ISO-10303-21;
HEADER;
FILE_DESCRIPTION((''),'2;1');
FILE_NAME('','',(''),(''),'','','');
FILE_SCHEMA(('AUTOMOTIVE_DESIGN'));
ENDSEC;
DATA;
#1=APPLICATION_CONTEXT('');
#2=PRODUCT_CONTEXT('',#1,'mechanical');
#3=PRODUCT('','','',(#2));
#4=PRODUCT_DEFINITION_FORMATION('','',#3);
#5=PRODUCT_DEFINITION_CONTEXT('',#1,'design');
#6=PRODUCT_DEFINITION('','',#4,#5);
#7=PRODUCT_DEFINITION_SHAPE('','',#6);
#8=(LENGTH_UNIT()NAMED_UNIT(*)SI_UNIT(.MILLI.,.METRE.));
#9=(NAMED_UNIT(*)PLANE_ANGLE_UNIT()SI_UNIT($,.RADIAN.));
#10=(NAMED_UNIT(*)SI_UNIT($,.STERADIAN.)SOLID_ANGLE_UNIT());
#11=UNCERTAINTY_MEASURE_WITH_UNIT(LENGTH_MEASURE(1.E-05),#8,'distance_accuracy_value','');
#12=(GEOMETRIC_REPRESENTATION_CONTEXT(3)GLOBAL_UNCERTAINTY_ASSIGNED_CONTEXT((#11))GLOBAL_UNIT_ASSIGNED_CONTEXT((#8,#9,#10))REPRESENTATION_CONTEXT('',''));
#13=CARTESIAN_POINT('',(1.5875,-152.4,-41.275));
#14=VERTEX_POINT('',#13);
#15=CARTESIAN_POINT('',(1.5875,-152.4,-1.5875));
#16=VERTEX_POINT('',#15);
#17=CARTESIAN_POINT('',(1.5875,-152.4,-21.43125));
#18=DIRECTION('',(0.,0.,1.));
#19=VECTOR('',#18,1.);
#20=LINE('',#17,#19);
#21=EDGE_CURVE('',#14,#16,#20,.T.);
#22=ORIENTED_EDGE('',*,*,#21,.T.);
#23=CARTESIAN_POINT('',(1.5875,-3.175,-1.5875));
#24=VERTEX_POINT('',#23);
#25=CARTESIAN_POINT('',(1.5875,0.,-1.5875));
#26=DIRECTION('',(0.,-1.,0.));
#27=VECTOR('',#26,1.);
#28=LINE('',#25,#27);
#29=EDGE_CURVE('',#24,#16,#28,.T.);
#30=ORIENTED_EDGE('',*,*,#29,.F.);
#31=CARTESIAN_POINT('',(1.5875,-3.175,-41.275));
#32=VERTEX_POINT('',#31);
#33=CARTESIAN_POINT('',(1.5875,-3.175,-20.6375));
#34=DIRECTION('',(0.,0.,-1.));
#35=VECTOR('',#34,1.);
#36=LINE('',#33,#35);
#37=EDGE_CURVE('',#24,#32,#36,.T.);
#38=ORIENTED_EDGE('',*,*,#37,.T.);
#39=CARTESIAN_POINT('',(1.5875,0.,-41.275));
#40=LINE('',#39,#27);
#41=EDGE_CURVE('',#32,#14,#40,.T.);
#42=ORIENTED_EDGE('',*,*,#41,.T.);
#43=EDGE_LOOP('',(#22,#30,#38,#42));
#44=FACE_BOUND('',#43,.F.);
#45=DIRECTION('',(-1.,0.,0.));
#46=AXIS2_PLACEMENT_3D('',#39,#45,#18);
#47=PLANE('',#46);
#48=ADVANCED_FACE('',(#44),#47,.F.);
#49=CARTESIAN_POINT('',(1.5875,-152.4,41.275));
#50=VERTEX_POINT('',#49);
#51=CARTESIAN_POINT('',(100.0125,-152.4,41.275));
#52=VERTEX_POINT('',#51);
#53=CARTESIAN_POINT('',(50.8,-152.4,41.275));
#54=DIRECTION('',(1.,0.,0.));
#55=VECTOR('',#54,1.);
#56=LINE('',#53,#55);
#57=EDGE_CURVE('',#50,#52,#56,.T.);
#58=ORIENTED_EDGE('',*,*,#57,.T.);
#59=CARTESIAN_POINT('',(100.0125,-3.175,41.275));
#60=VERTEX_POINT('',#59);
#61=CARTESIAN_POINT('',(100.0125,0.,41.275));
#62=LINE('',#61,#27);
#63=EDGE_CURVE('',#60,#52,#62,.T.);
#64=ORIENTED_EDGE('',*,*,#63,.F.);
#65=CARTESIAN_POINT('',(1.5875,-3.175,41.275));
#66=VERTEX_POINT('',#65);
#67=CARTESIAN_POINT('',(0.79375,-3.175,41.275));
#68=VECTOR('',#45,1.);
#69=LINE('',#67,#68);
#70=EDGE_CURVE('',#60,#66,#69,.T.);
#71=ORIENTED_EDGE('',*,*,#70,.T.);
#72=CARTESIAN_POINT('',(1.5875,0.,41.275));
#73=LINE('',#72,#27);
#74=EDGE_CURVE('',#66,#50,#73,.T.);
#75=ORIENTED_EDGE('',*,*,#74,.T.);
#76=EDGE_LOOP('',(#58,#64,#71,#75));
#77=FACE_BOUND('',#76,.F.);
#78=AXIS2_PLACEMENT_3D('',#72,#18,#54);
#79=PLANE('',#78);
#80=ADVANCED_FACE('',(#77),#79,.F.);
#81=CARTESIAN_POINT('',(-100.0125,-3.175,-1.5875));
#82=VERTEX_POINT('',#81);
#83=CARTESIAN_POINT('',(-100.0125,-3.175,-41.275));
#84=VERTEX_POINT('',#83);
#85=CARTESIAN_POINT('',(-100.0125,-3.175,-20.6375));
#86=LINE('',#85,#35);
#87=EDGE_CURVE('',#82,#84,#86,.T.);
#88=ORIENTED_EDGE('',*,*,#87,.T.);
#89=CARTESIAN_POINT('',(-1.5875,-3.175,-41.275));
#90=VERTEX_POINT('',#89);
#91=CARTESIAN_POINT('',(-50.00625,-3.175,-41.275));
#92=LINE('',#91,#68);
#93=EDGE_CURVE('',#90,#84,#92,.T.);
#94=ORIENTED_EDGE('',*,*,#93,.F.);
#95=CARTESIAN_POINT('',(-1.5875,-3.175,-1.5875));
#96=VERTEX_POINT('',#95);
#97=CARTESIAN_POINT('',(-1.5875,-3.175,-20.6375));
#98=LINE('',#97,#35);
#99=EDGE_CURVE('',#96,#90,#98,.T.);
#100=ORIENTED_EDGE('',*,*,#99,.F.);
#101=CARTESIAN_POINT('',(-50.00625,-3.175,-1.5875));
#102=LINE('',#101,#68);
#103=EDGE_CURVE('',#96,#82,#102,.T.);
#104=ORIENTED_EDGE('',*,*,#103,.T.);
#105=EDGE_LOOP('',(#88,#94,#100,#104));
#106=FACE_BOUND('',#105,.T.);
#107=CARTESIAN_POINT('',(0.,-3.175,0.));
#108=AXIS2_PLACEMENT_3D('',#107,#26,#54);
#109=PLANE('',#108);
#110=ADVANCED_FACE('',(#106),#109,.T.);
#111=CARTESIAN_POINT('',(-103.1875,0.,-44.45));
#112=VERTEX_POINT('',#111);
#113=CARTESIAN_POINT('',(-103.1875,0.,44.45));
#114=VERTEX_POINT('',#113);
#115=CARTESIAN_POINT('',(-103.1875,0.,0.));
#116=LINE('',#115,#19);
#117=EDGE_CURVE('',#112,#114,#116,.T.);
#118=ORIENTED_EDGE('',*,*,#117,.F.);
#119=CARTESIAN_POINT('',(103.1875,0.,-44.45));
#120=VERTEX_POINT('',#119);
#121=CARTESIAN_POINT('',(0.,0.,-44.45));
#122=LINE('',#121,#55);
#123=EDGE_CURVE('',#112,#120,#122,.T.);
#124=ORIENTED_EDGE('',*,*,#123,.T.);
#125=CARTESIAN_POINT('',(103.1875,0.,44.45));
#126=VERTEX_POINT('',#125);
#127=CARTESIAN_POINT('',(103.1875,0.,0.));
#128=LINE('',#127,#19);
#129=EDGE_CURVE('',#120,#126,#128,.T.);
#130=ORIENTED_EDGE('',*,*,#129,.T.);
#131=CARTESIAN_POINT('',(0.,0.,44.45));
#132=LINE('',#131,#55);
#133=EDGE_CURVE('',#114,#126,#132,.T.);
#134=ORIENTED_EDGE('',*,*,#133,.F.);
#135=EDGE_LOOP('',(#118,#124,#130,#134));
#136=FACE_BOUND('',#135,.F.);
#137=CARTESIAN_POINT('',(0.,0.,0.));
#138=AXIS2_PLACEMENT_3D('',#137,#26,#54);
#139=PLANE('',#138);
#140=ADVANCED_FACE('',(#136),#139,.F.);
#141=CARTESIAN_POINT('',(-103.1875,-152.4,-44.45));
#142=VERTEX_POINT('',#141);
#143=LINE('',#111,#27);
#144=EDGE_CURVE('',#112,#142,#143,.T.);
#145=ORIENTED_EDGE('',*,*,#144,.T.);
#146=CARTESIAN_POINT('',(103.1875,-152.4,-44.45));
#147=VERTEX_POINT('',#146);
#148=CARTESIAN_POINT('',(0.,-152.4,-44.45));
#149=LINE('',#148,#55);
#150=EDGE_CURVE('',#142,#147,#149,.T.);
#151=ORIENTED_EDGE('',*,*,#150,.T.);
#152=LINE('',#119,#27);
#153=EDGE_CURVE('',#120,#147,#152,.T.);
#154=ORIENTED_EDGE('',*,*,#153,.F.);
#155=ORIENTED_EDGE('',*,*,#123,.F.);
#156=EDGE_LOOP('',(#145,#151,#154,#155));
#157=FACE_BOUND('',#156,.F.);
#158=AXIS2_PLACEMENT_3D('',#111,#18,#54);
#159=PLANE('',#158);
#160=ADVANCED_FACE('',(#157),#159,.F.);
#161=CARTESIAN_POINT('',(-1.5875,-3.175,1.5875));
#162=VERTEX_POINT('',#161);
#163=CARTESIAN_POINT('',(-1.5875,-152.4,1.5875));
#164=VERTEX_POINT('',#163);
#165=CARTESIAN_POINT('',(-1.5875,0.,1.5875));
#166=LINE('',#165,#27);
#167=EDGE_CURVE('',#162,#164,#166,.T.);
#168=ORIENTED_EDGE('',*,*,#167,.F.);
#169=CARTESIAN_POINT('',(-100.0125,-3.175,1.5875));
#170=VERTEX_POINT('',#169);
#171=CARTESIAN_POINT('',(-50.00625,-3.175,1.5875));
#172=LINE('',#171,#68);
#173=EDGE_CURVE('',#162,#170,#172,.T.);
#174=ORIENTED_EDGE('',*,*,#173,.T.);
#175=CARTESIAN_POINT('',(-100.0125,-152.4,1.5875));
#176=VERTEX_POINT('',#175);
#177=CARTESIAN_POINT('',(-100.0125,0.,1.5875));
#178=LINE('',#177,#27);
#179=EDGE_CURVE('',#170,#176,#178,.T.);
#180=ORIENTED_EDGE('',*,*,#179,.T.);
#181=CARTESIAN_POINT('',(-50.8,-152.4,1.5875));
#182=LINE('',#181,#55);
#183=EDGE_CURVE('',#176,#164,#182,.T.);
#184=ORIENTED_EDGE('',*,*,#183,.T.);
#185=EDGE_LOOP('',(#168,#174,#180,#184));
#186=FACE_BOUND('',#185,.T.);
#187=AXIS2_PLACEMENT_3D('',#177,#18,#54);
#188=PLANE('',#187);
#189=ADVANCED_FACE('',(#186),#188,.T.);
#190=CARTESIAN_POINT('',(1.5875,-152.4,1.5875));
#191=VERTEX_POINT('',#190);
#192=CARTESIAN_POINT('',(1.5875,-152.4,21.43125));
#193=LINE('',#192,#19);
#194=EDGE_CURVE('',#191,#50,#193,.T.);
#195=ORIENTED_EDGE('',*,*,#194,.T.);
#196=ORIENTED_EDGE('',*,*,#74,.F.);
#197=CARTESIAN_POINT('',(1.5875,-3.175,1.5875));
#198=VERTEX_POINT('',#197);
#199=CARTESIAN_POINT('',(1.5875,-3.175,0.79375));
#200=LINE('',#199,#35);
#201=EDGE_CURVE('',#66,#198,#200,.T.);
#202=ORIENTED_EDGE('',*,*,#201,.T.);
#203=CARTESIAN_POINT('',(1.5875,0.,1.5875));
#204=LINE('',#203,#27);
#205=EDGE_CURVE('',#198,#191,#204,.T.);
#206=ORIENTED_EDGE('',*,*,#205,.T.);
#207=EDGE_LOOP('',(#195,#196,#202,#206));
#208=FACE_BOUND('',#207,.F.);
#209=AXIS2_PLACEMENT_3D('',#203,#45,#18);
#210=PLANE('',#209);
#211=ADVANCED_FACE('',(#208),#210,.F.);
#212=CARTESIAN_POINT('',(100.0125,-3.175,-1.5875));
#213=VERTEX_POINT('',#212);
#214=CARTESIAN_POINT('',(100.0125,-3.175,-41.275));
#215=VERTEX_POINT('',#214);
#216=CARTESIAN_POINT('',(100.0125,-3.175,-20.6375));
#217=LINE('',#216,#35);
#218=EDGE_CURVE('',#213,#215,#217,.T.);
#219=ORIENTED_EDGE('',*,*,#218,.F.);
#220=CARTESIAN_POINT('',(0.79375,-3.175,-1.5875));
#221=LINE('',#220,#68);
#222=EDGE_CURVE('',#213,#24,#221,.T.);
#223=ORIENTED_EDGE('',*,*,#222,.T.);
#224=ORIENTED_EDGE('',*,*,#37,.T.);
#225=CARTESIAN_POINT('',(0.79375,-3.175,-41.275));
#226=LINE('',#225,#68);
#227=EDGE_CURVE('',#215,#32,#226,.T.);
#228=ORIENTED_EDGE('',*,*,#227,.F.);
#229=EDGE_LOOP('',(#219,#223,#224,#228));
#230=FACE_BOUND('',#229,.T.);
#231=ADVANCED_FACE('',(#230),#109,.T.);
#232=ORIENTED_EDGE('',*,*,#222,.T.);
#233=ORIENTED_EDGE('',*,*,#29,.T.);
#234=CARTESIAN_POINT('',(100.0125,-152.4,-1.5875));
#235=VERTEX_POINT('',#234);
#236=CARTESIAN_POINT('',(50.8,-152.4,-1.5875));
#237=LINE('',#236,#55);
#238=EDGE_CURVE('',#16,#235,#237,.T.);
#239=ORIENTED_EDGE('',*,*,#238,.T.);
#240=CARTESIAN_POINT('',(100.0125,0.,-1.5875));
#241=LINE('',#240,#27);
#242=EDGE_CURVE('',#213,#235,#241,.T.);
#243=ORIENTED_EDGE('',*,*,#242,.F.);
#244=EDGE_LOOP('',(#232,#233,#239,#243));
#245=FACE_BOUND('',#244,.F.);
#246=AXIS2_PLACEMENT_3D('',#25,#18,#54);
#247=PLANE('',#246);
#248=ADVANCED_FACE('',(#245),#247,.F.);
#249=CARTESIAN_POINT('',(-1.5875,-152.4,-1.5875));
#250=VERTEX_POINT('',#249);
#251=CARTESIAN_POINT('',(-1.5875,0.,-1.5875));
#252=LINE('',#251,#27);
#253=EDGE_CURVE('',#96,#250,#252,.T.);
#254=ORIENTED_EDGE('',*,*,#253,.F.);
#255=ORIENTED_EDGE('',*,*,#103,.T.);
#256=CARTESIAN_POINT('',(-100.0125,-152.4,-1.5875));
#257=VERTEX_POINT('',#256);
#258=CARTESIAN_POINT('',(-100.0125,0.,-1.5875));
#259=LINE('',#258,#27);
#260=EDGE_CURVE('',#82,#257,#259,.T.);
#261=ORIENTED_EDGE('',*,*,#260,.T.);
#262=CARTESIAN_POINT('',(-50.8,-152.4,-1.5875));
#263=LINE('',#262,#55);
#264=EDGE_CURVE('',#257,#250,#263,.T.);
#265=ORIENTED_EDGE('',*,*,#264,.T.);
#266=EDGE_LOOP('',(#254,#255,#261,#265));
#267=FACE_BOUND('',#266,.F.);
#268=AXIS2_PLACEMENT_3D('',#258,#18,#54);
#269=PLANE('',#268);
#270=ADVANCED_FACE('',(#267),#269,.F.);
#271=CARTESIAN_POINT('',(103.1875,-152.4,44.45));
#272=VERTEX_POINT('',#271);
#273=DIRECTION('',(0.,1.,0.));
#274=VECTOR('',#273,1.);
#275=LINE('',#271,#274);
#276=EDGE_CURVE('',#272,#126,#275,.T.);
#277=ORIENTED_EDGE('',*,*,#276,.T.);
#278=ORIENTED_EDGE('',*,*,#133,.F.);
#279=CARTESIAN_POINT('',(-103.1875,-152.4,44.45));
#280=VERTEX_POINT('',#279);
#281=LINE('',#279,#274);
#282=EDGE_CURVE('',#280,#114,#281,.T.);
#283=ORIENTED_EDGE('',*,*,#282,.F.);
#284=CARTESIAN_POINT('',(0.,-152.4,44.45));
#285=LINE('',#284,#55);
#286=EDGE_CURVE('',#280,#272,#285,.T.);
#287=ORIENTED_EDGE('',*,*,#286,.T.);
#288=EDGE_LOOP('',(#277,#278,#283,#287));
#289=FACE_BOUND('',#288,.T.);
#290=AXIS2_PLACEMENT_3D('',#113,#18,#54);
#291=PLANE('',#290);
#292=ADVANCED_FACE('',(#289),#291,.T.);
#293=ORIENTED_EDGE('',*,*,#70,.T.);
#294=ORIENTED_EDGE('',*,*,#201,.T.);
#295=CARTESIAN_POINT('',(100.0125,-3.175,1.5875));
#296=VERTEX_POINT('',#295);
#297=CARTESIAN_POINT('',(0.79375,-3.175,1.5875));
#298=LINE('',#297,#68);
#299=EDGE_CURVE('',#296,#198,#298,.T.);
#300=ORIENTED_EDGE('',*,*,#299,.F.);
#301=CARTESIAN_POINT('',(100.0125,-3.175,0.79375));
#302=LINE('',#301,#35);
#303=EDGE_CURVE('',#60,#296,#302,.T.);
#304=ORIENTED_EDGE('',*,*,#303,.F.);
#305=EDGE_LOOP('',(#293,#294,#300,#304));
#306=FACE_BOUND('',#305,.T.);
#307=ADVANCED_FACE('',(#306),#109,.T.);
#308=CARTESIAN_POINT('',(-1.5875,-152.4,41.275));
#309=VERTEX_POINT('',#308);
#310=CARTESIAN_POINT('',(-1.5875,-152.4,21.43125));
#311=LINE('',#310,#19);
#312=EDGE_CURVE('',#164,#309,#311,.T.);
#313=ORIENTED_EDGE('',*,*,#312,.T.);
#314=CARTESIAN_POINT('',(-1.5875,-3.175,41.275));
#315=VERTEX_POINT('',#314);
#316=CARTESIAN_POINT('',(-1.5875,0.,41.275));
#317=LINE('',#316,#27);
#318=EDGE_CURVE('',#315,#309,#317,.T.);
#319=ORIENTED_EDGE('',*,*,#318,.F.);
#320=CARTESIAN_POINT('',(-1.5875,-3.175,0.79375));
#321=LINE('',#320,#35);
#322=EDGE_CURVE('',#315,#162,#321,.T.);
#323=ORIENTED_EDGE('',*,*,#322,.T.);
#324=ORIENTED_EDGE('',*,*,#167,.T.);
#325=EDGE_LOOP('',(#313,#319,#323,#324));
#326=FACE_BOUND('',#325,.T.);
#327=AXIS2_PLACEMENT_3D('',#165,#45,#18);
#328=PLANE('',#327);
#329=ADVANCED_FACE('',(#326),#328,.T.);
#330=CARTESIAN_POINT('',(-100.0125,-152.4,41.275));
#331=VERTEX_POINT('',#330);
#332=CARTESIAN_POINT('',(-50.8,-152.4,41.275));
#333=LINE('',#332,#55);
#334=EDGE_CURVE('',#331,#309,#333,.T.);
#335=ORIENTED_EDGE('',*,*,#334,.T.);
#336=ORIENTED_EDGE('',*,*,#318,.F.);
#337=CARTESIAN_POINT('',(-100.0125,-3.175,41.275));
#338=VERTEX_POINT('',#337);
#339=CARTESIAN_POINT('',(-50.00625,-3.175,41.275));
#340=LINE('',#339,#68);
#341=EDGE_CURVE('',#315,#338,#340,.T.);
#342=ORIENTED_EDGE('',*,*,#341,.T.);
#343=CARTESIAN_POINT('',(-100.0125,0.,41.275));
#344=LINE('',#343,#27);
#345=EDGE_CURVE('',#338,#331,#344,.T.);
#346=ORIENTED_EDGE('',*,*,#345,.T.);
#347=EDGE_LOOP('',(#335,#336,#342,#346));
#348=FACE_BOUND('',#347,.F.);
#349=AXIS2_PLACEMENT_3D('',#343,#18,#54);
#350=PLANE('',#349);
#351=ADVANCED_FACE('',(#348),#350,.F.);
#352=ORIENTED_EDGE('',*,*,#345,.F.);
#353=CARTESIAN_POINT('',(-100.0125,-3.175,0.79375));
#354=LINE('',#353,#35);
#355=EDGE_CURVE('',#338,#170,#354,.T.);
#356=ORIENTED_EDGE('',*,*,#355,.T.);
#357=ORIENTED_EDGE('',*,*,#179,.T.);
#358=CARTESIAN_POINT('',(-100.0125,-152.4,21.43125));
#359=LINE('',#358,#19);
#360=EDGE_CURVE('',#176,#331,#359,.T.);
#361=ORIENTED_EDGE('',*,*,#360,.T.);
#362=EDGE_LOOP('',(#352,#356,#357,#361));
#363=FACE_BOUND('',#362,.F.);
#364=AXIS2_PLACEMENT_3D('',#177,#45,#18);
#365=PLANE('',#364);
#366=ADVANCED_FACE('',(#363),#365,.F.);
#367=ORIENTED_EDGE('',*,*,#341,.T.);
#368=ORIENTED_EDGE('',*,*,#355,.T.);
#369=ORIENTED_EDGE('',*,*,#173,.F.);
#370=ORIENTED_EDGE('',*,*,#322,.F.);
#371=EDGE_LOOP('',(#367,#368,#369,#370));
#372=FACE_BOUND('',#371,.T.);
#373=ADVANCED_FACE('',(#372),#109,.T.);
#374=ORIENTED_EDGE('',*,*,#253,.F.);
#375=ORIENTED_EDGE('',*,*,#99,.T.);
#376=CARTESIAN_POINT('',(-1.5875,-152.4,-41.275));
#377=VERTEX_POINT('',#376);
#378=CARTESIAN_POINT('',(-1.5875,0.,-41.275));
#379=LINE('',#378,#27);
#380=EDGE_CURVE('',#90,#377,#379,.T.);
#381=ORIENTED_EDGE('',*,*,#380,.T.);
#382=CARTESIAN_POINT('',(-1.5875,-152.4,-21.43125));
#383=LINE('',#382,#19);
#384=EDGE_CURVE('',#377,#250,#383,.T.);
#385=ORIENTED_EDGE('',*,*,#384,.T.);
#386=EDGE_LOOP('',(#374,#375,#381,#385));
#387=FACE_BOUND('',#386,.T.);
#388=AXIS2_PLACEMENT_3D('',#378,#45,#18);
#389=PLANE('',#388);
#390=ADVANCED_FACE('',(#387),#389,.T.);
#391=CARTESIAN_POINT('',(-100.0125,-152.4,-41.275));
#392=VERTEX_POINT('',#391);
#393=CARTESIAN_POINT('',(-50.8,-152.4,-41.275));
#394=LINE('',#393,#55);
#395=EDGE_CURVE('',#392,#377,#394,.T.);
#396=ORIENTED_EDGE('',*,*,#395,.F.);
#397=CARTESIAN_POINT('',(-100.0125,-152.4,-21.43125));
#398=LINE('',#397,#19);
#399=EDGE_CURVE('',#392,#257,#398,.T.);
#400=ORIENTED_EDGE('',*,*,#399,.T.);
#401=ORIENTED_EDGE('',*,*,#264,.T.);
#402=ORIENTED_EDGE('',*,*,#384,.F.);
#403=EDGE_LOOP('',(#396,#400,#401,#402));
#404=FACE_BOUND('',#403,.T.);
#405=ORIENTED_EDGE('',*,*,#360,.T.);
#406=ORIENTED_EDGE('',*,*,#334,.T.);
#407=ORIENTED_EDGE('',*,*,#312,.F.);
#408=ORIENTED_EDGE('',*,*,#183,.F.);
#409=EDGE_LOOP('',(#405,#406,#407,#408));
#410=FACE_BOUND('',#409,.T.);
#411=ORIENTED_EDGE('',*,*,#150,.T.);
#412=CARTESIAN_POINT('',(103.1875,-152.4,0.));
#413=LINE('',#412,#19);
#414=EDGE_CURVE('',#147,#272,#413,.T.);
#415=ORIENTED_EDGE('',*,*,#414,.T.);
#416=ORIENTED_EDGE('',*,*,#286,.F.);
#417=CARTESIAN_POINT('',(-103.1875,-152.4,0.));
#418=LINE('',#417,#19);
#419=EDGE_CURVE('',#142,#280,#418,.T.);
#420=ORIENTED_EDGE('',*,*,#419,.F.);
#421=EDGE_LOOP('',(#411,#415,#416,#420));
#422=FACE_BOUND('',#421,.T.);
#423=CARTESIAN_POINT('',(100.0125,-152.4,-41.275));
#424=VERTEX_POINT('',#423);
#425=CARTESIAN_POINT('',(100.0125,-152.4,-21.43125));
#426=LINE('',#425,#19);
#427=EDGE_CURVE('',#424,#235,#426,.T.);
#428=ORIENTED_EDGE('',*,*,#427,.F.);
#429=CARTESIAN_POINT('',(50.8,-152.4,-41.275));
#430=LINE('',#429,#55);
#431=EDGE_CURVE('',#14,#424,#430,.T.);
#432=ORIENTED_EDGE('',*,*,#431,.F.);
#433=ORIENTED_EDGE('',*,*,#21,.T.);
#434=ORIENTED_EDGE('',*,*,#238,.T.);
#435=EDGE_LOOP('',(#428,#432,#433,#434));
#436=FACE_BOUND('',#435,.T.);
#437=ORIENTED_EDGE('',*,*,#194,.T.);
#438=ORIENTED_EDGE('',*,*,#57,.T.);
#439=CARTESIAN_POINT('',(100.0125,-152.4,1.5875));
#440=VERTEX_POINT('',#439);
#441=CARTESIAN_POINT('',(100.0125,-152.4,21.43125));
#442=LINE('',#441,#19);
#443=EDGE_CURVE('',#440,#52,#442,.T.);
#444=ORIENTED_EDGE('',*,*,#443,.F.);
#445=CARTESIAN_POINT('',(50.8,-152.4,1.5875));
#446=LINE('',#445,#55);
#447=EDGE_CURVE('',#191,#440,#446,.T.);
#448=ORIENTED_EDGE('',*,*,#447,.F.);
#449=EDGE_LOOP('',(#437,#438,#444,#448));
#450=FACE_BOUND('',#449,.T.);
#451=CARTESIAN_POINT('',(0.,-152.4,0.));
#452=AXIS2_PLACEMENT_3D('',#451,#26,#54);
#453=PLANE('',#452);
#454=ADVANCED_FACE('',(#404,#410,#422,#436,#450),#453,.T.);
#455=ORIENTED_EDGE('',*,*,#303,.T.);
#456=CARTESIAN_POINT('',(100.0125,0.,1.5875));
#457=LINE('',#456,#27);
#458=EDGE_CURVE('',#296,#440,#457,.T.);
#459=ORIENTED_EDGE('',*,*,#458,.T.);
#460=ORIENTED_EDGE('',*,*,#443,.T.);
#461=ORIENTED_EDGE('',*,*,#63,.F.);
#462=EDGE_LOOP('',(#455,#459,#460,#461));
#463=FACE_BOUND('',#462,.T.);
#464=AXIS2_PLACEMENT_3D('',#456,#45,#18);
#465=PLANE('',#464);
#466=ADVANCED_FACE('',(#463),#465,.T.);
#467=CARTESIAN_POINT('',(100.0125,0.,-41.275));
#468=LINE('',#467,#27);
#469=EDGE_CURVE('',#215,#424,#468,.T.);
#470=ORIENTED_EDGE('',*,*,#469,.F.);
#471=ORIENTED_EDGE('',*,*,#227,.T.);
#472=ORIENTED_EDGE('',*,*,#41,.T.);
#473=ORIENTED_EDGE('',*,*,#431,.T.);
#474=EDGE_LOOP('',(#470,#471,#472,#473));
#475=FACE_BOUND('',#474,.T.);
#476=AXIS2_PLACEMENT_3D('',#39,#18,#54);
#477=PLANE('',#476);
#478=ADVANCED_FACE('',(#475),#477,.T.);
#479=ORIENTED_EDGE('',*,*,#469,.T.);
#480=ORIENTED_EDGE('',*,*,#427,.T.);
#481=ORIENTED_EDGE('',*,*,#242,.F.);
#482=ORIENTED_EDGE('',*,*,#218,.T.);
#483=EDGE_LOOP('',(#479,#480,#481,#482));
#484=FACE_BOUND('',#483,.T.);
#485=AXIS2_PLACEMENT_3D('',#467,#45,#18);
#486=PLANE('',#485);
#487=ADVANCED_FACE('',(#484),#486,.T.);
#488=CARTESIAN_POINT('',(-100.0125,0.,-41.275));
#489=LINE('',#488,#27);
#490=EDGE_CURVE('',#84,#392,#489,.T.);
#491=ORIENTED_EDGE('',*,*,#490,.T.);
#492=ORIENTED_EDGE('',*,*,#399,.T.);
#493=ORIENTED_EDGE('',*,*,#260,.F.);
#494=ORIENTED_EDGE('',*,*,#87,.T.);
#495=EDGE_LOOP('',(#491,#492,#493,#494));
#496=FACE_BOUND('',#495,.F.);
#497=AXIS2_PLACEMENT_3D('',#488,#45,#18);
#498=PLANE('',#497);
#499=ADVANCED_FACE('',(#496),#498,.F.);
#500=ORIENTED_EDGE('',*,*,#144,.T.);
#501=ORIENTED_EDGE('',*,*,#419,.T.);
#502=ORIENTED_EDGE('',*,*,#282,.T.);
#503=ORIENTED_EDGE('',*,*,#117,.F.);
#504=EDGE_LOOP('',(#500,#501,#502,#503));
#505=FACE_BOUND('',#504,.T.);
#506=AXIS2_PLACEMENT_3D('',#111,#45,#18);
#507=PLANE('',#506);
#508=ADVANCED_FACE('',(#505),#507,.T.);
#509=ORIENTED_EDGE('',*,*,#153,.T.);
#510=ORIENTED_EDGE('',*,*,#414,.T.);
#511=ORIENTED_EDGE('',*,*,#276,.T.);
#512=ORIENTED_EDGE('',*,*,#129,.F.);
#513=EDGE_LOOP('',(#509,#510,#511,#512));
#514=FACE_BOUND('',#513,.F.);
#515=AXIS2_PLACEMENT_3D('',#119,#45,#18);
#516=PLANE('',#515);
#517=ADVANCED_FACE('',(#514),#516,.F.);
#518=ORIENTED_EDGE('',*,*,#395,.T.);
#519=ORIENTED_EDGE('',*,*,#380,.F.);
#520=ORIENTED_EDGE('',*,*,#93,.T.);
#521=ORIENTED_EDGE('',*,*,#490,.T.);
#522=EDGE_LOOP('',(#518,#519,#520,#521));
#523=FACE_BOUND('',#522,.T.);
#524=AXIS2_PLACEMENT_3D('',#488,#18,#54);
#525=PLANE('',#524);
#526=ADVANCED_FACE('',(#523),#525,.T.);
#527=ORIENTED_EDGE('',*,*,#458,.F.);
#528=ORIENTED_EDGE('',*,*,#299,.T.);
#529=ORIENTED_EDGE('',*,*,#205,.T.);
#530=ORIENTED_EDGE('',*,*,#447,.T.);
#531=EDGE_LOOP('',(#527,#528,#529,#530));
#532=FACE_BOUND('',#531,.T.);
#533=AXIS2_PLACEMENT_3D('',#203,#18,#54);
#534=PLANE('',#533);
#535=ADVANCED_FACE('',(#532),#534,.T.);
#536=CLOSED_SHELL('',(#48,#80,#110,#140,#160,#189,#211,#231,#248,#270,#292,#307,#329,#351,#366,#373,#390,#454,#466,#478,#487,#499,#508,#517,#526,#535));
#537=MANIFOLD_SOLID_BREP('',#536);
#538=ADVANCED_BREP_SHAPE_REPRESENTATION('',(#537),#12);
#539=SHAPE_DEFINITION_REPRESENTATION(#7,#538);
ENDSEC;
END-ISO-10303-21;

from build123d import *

# Parameters (mm, degrees)
F0_W     = 206.375
F0_H     = 88.9
F0_W_2   = 98.425
F0_H_2   = 39.6875
F1_DEPTH = 3.175
F2_DEPTH = 152.4


with BuildPart() as f1:
    # F0 (on Front) → F1 (new body)
    with BuildSketch(Plane.XZ):
        Rectangle(F0_W, F0_H)
        with Locations((-50.8, -21.43125)):
            Rectangle(F0_W_2, F0_H_2, mode=Mode.SUBTRACT)
        with Locations((50.8, -21.43125)):
            Rectangle(F0_W_2, F0_H_2, mode=Mode.SUBTRACT)
        with Locations((-50.8, 21.43125)):
            Rectangle(F0_W_2, F0_H_2, mode=Mode.SUBTRACT)
        with Locations((50.8, 21.43125)):
            Rectangle(F0_W_2, F0_H_2, mode=Mode.SUBTRACT)
        with Locations((-50.8, -21.43125)):
            Rectangle(F0_W_2, F0_H_2)
        with Locations((-50.8, 21.43125)):
            Rectangle(F0_W_2, F0_H_2)
        with Locations((50.8, 21.43125)):
            Rectangle(F0_W_2, F0_H_2)
        with Locations((50.8, -21.43125)):
            Rectangle(F0_W_2, F0_H_2)
    extrude(amount=F1_DEPTH)

    # F0 (on Front) → F2 (join)
    with BuildSketch(Plane.XZ):
        Rectangle(F0_W, F0_H)
        with Locations((-50.8, -21.43125)):
            Rectangle(F0_W_2, F0_H_2, mode=Mode.SUBTRACT)
        with Locations((50.8, -21.43125)):
            Rectangle(F0_W_2, F0_H_2, mode=Mode.SUBTRACT)
        with Locations((-50.8, 21.43125)):
            Rectangle(F0_W_2, F0_H_2, mode=Mode.SUBTRACT)
        with Locations((50.8, 21.43125)):
            Rectangle(F0_W_2, F0_H_2, mode=Mode.SUBTRACT)
    extrude(amount=F2_DEPTH)


solid = f1.part
